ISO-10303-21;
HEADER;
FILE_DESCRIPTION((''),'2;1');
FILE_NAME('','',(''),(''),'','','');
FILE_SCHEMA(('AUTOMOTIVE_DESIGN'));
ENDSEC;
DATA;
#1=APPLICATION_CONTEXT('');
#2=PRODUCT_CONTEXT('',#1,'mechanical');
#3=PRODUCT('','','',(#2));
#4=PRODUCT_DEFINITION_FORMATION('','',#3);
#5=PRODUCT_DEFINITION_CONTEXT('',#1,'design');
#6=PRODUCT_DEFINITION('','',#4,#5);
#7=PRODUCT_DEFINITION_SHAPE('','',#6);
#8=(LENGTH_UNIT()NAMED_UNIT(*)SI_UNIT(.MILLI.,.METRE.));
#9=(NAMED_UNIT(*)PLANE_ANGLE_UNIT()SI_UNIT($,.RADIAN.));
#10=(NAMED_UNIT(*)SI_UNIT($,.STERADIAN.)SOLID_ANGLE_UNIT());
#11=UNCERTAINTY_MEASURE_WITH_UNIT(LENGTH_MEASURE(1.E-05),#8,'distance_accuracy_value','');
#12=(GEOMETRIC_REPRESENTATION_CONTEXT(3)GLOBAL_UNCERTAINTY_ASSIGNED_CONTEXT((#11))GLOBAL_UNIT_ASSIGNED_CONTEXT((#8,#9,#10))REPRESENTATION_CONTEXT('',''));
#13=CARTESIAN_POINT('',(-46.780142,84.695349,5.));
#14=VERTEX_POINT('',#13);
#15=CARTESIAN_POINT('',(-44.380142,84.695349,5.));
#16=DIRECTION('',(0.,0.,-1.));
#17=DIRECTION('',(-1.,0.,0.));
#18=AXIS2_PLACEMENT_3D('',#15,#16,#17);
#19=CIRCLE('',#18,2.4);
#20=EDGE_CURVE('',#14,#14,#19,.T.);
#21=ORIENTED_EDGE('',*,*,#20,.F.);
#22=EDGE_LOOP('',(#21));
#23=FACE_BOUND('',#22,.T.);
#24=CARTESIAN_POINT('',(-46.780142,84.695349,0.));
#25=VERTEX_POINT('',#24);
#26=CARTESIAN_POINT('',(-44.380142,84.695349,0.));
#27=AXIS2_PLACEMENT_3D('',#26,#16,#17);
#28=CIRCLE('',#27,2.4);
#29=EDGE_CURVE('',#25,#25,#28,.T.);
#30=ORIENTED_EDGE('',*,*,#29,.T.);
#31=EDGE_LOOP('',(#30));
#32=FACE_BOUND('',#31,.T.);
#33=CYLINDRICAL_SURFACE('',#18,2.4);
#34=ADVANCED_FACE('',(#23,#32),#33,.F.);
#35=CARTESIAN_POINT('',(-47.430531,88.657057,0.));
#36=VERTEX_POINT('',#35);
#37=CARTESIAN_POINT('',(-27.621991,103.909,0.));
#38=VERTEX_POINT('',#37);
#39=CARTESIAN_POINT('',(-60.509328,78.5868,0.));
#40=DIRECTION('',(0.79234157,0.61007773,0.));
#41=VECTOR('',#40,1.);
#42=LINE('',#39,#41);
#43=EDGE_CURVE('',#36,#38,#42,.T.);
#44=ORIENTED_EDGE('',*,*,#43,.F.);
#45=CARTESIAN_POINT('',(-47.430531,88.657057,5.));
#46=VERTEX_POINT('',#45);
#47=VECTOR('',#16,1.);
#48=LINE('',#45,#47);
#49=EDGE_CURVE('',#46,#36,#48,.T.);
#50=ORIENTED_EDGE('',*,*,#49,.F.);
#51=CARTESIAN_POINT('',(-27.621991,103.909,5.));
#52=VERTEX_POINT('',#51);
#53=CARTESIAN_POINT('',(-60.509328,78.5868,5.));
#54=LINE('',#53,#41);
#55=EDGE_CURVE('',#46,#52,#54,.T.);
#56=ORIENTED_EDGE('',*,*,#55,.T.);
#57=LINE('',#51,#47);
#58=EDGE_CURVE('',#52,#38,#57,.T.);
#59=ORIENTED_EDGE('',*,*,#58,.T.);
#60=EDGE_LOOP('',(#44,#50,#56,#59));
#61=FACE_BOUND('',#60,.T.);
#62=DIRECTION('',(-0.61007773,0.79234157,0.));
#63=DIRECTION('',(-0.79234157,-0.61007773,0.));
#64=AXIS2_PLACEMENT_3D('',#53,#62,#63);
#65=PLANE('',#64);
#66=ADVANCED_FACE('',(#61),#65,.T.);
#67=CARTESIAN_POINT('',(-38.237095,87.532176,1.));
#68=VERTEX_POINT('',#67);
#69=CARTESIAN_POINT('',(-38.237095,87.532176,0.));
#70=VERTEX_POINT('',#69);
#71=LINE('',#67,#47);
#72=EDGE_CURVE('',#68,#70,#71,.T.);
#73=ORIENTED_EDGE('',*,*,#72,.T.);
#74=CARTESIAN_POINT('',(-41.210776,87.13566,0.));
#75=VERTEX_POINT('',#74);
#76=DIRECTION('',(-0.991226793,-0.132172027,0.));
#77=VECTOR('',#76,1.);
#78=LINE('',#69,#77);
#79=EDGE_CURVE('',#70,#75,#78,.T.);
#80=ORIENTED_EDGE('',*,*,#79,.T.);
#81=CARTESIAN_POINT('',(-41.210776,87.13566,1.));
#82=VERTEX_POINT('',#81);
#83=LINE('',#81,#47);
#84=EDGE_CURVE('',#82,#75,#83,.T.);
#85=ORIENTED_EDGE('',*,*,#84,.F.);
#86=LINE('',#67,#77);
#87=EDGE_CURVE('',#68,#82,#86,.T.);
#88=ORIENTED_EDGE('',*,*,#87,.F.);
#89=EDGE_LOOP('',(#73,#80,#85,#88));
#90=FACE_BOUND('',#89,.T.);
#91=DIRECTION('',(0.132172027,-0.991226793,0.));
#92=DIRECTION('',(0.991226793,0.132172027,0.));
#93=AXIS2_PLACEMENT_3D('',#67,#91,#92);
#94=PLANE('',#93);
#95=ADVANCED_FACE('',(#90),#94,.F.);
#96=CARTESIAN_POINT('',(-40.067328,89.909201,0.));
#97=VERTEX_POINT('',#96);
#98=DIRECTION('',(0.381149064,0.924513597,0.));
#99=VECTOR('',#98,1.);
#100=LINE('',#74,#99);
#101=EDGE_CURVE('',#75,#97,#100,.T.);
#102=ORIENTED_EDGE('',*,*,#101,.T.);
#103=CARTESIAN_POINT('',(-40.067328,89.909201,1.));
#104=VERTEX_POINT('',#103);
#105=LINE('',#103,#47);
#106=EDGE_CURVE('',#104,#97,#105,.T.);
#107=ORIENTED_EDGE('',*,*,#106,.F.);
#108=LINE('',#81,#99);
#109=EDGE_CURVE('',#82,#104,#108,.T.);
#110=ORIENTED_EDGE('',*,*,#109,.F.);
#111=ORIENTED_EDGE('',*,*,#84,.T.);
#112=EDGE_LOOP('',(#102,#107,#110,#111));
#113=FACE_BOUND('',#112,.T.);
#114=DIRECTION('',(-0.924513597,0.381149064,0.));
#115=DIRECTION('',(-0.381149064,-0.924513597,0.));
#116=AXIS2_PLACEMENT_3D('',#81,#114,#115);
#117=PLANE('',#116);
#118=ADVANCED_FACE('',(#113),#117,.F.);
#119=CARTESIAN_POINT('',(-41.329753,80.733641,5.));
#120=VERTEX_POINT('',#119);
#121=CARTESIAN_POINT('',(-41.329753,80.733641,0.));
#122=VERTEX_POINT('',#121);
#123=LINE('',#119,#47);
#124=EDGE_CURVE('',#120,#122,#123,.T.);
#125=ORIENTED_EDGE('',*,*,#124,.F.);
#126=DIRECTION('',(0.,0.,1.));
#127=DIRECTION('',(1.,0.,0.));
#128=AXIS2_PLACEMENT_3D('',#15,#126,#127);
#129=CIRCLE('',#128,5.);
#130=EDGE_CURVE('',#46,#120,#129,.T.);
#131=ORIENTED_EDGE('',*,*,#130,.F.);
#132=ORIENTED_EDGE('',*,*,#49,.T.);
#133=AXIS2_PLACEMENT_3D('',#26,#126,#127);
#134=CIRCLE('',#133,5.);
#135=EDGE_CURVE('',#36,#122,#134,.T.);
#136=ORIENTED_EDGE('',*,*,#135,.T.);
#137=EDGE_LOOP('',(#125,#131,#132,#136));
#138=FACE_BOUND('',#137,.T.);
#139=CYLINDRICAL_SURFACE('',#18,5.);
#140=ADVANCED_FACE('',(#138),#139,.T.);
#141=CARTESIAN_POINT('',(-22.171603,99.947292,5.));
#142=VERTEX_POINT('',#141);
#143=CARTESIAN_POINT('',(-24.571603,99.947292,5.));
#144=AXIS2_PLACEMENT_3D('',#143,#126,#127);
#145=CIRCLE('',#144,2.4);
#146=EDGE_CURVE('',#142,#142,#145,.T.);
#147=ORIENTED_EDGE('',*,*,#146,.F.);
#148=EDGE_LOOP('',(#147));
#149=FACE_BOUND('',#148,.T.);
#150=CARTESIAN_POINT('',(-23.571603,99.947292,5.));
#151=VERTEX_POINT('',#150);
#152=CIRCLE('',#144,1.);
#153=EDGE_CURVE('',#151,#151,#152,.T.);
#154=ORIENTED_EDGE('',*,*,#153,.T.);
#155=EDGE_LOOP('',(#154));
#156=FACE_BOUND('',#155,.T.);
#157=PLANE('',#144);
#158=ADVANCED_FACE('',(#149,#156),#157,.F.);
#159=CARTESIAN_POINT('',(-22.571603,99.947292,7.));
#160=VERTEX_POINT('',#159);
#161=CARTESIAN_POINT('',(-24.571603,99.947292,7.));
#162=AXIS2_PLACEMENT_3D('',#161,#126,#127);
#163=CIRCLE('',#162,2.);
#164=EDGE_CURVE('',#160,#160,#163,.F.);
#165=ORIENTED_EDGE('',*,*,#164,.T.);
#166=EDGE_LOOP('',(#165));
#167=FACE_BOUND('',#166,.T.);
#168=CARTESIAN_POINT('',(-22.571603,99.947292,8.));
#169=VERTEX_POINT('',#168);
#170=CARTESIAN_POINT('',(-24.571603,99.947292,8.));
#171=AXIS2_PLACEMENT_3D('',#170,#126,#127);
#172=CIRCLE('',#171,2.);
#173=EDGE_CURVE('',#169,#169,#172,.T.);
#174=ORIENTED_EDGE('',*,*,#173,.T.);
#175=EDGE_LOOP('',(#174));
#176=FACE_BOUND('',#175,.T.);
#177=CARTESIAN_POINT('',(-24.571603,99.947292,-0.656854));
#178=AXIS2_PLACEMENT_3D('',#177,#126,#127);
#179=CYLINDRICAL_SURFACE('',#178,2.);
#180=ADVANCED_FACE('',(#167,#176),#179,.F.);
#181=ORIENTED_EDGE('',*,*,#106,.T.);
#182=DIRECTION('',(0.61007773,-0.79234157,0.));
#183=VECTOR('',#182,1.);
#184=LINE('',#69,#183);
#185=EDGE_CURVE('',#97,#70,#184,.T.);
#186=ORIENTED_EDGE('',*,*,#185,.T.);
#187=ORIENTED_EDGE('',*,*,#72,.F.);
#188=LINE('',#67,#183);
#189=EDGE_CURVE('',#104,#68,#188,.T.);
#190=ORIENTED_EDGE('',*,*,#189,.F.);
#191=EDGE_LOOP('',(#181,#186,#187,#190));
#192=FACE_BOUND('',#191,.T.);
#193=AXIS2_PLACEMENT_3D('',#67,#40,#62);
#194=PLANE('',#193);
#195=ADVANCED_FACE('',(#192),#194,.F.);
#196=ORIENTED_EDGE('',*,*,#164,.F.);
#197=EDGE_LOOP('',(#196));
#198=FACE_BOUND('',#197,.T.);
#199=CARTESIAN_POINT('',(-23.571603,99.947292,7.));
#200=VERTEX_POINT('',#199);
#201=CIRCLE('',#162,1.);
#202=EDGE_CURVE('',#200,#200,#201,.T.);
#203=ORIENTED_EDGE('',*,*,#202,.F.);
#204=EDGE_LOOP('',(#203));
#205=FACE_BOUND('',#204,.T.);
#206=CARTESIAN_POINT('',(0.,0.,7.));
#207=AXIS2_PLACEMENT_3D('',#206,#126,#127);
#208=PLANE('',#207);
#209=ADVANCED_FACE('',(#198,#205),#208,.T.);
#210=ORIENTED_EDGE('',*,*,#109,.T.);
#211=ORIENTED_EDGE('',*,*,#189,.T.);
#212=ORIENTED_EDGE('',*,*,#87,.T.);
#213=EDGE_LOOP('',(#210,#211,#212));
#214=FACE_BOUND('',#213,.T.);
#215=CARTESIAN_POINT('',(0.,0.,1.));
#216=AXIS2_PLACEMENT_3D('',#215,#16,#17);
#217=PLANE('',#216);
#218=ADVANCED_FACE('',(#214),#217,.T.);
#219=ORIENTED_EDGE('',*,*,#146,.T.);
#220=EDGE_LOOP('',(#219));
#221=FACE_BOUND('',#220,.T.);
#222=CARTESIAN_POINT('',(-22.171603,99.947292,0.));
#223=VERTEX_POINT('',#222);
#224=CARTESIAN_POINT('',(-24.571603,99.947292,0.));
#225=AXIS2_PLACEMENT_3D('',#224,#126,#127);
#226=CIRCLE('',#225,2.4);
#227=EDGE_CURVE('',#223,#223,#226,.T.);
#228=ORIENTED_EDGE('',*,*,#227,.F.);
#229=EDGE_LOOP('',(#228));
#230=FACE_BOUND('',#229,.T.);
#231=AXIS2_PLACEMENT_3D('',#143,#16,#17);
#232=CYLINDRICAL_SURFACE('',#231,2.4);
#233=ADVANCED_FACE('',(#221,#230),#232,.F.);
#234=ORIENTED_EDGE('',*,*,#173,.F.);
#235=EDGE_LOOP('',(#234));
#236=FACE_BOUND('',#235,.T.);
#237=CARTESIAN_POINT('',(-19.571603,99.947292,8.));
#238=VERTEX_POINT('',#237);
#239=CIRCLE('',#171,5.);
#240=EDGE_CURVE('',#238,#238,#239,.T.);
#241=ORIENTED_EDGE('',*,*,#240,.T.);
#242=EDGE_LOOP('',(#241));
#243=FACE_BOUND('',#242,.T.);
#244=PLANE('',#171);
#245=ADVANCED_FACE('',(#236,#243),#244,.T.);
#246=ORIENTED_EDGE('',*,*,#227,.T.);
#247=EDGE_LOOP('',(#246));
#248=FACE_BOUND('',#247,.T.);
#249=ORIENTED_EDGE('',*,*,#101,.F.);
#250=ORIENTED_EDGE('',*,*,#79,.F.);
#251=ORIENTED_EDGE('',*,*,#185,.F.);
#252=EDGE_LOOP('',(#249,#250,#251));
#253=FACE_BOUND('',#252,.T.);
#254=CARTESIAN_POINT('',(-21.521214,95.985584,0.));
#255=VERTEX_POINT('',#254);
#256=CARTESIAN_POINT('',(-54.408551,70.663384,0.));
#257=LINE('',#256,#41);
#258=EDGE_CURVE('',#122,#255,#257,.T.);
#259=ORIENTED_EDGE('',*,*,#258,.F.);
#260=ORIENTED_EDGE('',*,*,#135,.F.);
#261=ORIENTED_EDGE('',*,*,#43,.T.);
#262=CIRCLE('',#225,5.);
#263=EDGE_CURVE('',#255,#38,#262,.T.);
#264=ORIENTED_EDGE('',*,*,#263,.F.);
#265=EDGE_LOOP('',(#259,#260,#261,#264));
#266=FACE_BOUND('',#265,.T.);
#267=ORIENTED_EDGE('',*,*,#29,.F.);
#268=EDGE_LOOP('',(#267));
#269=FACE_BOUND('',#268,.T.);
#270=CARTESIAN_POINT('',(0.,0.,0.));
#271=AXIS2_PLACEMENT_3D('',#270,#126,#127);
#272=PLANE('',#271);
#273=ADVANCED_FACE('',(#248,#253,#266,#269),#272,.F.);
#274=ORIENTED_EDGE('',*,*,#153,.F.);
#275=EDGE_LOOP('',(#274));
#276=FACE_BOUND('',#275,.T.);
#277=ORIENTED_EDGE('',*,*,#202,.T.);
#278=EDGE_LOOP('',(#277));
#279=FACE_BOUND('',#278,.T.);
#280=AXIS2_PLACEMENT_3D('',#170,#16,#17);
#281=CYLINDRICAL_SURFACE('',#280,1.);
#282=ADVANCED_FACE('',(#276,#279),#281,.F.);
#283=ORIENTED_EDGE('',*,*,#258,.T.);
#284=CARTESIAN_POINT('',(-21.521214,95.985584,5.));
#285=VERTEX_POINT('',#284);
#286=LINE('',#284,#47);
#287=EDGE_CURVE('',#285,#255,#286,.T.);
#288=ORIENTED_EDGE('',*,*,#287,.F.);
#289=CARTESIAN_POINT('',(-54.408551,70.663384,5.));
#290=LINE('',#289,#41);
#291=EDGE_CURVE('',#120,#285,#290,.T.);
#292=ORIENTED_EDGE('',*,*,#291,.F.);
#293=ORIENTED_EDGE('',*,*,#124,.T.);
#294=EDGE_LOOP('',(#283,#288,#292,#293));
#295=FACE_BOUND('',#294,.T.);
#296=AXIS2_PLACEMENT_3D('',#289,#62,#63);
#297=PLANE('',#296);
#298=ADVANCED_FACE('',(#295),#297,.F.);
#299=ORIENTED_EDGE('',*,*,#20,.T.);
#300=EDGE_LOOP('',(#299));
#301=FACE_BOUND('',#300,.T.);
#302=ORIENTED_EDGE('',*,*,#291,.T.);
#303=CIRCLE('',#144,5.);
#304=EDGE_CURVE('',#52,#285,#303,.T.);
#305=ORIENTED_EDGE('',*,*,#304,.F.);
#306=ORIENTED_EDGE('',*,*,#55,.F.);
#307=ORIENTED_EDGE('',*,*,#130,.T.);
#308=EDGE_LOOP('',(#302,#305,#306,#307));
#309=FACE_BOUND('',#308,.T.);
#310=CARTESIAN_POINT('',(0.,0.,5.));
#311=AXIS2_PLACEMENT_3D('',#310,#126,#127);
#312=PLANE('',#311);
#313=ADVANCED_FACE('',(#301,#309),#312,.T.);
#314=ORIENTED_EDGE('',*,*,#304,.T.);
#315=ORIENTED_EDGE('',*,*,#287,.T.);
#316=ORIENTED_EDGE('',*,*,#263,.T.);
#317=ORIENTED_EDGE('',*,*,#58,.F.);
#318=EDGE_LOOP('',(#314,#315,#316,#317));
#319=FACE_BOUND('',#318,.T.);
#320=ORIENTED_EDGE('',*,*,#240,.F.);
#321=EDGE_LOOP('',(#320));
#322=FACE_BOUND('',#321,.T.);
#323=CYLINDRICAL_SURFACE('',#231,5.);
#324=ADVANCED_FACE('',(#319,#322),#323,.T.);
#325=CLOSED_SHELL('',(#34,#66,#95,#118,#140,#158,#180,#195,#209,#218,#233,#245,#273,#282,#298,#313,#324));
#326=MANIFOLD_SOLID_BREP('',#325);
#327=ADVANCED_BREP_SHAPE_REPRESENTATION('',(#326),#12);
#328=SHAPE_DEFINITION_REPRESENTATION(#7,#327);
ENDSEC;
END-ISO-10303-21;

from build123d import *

# Parameters (mm, degrees)
SKETCH1_R           = 2.4
BOSS_EXTRUDE1_DEPTH = 5
SKETCH2_R           = 2.4
CUT_EXTRUDE1_DEPTH  = 5
CUT_EXTRUDE2_DEPTH  = 1
SKETCH5_R           = 5
SKETCH5_R_2         = 1
BOSS_EXTRUDE2_DEPTH = 3
SKETCH6_R           = 2
CUT_EXTRUDE3_DEPTH  = 1


with BuildPart() as part:
    # Sketch1 → Boss-Extrude1 (new body)
    with BuildSketch(Plane(origin=(0, 0, 0), x_dir=(0.999757303, -0.022030336, 0), z_dir=(0, 0, 1))):
        with BuildLine():
            Line((-49.372163993, 87.590629426), (-29.904437649, 103.275259833))
            ThreePointArc((-29.904437649, 103.275259833), (-22.873966299, 102.518640646), (-23.630585486, 95.488169295))
            Line((-23.630585486, 95.488169295), (-43.09831183, 79.803538889))
            ThreePointArc((-43.09831183, 79.803538889), (-50.12878318, 80.560158076), (-49.372163993, 87.590629426))
        make_face()
        with Locations((-26.767511567, 99.381714564)):
            Circle(SKETCH1_R, mode=Mode.SUBTRACT)
    extrude(amount=BOSS_EXTRUDE1_DEPTH)

    # Sketch2 → Cut-Extrude1 (cut)
    with BuildSketch(Plane(origin=(0, 0, 0), x_dir=(-1, 0, 0), z_dir=(0, 0, -1))):
        with Locations((44.380141864, 84.695348924)):
            Circle(SKETCH2_R)
    extrude(amount=-CUT_EXTRUDE1_DEPTH, mode=Mode.SUBTRACT)

    # Sketch4 → Cut-Extrude2 (cut)
    with BuildSketch(Plane(origin=(0, 0, 0), x_dir=(-1, 0, 0), z_dir=(0, 0, -1))):
        Polygon((38.237095204, 87.532175923), (40.067328392, 89.909200633), (41.210775583, 87.135659842), align=None)
    extrude(amount=-CUT_EXTRUDE2_DEPTH, mode=Mode.SUBTRACT)

    # Sketch5 → Boss-Extrude2 (add)
    with BuildSketch(Plane.XY.offset(5)):
        with Locations((-24.571602608, 99.947292162)):
            Circle(SKETCH5_R)
        with Locations((-24.571602608, 99.947292162)):
            Circle(SKETCH5_R_2, mode=Mode.SUBTRACT)
    extrude(amount=BOSS_EXTRUDE2_DEPTH)

    # Sketch6 → Cut-Extrude3 (cut)
    with BuildSketch(Plane.XY.offset(8)):
        with Locations((-24.571602608, 99.947292162)):
            Circle(SKETCH6_R)
    extrude(amount=-CUT_EXTRUDE3_DEPTH, mode=Mode.SUBTRACT)


solid = part.part
